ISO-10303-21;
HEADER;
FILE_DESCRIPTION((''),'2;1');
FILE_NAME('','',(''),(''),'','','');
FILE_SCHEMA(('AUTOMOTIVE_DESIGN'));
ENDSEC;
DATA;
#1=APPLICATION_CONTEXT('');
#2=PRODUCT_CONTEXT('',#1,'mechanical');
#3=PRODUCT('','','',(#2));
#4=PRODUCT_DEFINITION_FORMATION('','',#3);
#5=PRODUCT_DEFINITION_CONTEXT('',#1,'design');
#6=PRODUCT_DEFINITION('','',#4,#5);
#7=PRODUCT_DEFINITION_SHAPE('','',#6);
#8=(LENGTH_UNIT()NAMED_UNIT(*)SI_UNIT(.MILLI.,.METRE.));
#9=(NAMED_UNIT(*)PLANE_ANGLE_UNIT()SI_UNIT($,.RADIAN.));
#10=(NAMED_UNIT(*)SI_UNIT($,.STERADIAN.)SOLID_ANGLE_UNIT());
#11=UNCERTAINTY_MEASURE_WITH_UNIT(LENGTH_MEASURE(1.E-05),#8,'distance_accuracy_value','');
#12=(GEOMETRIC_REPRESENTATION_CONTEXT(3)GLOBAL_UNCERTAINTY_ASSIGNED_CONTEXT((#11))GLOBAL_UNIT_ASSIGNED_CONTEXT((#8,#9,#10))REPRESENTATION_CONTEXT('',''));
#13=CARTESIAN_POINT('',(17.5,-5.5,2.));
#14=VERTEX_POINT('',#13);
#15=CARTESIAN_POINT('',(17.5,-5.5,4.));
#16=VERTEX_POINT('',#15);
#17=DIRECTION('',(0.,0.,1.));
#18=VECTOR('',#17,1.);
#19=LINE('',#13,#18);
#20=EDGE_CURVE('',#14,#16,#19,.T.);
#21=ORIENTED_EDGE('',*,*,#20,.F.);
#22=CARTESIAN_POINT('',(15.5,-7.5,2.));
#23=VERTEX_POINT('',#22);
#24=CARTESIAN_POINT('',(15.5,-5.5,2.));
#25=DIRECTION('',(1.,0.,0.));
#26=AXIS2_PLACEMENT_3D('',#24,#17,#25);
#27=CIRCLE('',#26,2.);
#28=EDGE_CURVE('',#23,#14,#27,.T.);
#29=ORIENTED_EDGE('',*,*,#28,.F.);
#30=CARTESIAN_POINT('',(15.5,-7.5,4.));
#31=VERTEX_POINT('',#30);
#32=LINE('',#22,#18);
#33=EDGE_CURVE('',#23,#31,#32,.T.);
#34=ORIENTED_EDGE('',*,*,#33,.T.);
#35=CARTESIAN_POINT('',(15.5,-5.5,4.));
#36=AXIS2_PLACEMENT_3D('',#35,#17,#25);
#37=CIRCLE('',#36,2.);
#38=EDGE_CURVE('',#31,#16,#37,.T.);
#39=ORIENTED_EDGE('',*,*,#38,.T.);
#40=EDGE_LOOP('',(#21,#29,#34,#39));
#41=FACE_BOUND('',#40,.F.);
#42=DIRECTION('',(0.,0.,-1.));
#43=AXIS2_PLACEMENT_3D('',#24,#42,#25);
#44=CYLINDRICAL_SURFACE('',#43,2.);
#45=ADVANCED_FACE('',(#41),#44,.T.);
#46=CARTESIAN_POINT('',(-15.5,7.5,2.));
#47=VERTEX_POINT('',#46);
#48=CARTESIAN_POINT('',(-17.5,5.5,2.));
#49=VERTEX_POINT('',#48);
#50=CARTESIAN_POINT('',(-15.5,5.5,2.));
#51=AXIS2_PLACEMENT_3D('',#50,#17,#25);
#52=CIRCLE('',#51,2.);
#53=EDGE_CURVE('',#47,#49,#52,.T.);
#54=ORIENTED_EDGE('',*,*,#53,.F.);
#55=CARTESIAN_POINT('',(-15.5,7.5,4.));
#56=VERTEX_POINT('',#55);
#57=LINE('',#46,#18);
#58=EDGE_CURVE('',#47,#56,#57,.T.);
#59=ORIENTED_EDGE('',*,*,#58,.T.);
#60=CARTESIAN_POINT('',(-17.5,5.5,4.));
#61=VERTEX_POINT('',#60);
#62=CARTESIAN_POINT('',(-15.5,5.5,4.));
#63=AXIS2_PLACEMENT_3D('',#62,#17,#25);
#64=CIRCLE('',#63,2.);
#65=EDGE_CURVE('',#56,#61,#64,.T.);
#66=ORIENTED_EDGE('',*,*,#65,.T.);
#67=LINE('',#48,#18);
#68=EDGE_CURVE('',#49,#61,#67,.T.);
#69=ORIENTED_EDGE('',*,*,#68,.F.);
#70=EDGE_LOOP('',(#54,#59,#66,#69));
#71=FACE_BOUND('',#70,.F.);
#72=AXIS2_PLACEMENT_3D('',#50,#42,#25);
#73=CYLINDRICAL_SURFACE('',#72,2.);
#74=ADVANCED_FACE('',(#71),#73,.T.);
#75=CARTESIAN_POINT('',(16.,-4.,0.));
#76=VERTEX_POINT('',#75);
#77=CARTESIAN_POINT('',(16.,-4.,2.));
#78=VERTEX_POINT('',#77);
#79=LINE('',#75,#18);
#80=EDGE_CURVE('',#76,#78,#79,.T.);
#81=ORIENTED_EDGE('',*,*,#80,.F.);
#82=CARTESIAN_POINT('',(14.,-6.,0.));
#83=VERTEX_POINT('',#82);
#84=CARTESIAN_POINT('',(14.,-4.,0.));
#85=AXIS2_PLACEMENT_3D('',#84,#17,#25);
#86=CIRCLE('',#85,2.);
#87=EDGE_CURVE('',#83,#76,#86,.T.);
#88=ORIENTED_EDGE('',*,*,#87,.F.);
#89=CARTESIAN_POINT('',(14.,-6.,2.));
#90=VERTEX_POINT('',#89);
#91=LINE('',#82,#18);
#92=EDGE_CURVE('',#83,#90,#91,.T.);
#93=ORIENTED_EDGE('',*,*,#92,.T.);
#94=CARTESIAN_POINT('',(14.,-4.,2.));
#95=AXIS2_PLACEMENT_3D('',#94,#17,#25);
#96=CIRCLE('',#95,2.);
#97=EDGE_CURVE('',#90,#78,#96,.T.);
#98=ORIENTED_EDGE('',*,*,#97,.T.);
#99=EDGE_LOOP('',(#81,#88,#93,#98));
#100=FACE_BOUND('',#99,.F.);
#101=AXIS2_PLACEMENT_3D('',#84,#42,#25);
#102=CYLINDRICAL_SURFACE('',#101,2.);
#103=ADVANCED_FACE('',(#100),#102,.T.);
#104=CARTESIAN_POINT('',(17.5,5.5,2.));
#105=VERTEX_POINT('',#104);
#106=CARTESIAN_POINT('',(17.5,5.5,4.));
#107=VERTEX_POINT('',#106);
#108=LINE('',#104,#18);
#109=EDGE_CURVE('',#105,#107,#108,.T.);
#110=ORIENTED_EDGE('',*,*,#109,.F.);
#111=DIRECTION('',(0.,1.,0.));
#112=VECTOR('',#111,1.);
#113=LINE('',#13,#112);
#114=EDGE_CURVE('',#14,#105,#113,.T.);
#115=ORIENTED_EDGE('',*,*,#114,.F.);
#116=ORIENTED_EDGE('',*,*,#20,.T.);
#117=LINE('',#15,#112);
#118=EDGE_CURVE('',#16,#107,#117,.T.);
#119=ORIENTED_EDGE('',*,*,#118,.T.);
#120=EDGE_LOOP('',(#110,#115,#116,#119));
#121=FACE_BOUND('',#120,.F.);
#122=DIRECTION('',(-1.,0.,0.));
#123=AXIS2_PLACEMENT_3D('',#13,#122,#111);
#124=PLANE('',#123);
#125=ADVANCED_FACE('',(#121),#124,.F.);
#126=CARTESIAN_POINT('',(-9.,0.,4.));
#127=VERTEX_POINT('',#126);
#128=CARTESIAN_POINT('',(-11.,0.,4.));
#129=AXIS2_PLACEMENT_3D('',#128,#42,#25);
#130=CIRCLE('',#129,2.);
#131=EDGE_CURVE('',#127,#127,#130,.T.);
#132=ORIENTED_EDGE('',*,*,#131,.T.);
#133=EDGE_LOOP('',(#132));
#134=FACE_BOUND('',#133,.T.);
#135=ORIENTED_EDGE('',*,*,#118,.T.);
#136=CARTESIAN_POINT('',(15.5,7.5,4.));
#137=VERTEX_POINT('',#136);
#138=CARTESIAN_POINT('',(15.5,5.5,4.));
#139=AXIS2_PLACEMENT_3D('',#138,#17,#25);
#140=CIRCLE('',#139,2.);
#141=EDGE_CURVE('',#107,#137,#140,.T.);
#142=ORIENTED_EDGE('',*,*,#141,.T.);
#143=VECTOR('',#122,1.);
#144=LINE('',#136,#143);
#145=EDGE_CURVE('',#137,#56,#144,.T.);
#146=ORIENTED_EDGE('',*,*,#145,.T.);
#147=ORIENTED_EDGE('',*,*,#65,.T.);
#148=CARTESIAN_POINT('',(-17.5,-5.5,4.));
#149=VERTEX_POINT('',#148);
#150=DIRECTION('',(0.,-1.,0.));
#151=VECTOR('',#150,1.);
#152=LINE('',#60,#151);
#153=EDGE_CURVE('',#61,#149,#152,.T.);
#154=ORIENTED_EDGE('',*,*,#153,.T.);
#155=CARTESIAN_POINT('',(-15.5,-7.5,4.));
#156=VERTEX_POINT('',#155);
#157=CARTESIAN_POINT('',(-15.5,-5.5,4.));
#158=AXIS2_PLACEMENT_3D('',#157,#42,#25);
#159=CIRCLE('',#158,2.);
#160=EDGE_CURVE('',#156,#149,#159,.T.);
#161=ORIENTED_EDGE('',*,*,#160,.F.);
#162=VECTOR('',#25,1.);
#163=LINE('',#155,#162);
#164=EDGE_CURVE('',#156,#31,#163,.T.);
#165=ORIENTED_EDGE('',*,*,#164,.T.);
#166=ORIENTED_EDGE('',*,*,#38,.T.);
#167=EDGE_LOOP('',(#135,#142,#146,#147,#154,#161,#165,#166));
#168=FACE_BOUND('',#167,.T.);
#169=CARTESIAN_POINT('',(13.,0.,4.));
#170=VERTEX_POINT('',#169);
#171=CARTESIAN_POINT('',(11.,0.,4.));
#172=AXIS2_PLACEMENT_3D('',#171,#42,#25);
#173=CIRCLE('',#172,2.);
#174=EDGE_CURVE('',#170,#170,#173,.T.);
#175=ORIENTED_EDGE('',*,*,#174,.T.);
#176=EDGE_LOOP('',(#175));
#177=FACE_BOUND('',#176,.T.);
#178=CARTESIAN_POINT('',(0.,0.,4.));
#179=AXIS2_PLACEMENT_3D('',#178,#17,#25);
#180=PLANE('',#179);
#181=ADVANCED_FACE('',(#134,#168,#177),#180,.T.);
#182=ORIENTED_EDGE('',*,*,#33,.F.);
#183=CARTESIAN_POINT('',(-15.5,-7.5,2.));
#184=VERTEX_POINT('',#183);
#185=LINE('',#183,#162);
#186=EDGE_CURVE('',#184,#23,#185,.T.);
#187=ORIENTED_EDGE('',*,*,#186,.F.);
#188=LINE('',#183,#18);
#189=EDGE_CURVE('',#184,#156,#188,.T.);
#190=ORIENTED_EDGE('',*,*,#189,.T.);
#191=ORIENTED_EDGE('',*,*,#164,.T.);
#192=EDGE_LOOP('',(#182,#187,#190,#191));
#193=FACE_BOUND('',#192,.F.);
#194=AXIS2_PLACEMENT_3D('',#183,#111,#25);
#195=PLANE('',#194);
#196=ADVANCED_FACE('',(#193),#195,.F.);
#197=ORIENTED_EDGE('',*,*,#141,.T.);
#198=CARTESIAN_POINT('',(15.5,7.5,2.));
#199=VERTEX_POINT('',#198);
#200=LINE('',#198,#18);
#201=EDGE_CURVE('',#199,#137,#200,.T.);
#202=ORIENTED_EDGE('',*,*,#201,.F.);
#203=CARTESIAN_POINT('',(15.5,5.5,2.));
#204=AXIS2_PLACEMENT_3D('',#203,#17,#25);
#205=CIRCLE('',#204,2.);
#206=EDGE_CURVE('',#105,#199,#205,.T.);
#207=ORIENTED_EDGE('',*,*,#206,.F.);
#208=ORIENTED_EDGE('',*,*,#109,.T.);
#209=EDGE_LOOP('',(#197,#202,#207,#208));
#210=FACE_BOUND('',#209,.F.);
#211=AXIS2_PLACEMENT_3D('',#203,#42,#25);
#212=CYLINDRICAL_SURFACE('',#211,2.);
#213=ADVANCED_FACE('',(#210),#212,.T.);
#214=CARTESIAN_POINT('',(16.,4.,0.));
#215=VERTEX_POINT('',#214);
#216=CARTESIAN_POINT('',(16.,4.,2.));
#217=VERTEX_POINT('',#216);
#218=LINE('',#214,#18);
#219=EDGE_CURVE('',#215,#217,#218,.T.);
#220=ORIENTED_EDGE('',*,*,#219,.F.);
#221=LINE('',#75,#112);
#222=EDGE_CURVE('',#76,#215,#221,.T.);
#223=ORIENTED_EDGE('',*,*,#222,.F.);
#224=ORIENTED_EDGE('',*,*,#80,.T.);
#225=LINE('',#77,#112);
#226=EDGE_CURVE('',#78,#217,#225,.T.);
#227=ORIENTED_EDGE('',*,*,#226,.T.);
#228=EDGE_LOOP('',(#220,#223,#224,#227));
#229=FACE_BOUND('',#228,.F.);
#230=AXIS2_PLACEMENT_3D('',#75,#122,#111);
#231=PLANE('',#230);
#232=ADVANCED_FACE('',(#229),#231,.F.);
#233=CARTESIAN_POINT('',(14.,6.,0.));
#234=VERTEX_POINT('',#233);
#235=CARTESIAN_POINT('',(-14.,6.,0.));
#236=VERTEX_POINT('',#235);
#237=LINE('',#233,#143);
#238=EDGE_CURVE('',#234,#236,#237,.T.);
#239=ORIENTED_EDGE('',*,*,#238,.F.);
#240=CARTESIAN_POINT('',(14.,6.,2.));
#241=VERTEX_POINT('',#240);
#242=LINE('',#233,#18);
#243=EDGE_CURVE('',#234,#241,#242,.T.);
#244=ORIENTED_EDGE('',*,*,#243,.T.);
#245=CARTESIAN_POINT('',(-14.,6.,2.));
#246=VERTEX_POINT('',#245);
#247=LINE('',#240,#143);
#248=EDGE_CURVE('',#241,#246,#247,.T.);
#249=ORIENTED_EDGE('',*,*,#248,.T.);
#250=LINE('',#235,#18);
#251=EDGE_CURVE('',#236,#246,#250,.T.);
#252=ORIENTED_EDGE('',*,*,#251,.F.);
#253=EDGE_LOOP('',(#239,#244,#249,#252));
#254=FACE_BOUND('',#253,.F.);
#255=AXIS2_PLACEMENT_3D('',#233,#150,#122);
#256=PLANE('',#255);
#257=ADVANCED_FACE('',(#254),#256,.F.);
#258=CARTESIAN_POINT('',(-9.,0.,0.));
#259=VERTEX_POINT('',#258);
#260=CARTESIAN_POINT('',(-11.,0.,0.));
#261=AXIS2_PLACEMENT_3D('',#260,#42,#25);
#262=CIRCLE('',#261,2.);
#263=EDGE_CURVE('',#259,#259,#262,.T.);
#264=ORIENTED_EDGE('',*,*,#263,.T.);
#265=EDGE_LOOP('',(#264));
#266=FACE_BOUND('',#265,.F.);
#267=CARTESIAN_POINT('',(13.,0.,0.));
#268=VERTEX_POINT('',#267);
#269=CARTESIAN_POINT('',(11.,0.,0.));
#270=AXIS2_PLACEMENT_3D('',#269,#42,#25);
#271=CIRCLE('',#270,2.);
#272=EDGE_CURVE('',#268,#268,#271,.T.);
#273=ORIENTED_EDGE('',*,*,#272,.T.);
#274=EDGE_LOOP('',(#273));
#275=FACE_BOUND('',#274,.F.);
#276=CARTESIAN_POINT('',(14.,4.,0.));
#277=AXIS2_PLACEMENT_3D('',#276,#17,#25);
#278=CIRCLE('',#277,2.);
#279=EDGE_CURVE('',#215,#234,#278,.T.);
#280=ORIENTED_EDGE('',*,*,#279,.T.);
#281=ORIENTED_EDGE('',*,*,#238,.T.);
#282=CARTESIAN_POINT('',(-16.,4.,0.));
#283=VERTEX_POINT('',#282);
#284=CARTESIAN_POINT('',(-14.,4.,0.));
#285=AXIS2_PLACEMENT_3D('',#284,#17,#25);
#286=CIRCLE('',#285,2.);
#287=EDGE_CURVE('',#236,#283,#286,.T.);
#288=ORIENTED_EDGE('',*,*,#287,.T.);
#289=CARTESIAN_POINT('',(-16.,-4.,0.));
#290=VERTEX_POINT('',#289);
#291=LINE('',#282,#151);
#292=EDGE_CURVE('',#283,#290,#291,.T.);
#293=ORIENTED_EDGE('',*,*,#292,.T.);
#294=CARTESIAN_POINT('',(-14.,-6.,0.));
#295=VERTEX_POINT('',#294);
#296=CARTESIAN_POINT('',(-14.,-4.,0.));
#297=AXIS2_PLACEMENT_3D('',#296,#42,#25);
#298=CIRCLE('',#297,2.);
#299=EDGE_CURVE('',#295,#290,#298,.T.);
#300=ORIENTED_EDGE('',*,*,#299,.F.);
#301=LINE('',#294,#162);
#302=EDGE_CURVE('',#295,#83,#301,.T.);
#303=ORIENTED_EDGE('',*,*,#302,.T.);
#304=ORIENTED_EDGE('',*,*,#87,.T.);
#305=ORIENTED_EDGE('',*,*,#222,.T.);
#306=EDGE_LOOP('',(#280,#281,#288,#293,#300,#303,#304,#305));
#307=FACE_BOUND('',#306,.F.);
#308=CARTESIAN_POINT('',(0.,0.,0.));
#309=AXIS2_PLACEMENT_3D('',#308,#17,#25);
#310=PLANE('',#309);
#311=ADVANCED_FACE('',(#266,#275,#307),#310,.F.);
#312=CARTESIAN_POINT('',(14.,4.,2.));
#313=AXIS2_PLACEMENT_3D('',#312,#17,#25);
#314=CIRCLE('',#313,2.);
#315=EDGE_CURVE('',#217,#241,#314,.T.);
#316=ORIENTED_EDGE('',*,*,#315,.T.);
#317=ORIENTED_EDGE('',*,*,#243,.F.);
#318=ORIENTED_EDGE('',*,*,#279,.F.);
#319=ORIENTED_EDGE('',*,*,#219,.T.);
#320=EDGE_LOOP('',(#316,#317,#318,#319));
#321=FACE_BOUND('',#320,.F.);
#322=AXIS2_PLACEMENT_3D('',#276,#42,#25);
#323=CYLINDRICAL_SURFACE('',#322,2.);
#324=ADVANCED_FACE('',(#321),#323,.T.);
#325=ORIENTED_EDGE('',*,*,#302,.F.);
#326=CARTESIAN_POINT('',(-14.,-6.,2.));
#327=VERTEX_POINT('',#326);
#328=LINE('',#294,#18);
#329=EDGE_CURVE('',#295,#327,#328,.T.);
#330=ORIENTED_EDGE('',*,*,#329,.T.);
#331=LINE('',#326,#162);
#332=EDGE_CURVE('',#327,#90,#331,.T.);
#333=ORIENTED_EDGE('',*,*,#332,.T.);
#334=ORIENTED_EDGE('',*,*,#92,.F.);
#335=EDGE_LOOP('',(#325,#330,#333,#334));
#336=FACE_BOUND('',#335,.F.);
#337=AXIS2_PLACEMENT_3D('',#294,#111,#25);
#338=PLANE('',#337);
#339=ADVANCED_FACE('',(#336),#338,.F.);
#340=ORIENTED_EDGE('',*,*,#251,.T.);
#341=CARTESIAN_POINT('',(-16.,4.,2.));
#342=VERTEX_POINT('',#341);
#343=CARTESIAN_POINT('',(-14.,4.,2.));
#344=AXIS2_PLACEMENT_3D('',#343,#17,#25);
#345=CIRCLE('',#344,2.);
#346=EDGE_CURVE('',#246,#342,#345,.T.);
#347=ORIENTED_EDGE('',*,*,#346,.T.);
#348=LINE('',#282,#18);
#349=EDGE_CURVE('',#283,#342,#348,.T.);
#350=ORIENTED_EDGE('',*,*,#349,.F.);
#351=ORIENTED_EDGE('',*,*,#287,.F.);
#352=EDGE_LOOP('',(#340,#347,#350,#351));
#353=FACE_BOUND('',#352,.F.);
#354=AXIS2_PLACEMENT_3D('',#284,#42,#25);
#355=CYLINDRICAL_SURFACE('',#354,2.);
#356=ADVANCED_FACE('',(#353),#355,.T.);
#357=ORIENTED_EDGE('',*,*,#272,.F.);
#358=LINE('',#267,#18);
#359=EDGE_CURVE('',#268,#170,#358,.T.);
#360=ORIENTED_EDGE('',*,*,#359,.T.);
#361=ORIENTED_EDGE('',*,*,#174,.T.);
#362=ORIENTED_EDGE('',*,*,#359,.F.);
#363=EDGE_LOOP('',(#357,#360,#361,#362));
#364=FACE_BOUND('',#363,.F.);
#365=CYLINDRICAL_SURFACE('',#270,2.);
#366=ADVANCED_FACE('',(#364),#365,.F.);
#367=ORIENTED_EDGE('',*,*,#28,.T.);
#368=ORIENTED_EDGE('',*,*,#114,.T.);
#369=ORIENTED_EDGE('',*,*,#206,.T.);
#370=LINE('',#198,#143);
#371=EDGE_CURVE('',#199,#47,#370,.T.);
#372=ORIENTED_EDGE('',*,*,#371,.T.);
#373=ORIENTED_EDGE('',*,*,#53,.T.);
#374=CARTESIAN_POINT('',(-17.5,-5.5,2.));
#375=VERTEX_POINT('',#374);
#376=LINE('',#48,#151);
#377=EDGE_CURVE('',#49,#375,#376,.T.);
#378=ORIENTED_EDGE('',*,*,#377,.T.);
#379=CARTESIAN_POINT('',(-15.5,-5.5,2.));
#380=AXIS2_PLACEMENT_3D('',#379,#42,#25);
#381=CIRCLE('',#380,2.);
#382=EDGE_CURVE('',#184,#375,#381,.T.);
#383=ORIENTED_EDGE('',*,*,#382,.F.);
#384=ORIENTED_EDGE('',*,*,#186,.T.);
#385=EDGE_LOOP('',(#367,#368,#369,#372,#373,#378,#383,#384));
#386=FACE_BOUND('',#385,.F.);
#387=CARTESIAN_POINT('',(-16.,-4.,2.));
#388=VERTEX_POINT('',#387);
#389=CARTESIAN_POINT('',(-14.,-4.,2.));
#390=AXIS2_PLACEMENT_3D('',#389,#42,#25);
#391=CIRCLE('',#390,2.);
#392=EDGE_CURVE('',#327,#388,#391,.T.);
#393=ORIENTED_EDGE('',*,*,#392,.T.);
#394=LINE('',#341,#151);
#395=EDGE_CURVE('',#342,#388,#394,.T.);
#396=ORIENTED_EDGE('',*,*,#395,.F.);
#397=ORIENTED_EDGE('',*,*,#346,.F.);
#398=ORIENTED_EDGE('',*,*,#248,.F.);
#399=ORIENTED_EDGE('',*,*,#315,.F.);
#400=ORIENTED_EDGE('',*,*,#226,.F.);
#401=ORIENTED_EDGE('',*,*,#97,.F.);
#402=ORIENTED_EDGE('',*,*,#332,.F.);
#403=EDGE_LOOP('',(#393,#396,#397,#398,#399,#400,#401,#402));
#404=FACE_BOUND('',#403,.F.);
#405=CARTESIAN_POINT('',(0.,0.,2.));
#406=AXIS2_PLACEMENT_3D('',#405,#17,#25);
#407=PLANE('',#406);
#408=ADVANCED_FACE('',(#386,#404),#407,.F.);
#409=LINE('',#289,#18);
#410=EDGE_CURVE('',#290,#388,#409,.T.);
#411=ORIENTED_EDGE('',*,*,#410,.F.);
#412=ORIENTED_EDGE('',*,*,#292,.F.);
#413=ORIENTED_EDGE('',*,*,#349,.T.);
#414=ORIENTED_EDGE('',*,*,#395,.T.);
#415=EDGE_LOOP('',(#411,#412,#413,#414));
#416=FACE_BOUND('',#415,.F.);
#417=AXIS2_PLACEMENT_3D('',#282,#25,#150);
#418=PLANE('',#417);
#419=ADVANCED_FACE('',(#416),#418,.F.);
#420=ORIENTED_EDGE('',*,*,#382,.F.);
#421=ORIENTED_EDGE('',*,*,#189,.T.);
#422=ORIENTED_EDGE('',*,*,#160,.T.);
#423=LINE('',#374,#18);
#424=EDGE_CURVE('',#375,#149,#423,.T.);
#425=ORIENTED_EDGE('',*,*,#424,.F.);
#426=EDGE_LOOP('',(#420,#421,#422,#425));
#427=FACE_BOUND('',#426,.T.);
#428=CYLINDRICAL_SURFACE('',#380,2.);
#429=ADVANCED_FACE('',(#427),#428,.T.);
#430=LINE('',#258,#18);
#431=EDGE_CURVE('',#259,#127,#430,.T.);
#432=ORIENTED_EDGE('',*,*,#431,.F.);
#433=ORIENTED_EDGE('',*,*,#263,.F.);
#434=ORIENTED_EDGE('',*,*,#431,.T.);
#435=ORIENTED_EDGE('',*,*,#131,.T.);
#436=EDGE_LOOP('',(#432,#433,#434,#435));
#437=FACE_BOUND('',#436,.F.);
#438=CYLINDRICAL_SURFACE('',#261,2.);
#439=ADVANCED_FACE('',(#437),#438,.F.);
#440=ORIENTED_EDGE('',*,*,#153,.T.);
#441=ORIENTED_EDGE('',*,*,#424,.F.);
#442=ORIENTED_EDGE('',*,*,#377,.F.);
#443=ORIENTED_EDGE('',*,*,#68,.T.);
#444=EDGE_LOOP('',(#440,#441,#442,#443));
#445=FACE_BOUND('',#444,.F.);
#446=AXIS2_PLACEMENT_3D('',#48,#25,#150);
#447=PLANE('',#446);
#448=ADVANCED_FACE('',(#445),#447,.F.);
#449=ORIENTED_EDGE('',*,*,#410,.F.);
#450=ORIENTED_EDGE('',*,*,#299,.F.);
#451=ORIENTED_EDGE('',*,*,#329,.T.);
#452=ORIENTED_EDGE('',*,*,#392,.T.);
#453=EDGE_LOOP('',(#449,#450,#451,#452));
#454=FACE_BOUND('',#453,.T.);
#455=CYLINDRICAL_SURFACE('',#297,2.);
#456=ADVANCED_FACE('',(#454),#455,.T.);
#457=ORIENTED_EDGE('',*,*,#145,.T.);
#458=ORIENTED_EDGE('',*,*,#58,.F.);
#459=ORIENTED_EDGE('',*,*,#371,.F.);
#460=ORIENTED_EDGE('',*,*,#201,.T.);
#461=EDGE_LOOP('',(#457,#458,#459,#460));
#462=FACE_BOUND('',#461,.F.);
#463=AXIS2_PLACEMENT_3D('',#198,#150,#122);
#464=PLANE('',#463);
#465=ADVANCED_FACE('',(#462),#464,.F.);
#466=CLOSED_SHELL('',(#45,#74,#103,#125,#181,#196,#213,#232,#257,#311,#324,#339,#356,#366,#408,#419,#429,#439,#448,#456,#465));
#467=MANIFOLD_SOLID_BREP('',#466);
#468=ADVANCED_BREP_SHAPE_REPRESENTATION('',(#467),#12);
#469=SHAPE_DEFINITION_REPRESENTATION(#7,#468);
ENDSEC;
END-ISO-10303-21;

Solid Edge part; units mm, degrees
sketch "Sketch1" plane through (0, 0, 0) normal (0, 0, 1) x (1, 0, 0)
  line L0 (-14, -6) -> (14, -6)
  arc A0 (14, -6) -> (16, -4) centre (14, -4) ccw
  line L1 (16, -4) -> (16, 4)
  arc A1 (16, 4) -> (14, 6) centre (14, 4) ccw
  line L2 (14, 6) -> (-14, 6)
  arc A2 (-14, 6) -> (-16, 4) centre (-14, 4) ccw
  line L3 (-16, 4) -> (-16, -4)
  arc A3 (-14, -6) -> (-16, -4) centre (-14, -4) cw
extrude "Protrusion1" add sketch "Sketch1" along normal blind 2
sketch "Sketch2" plane through (0, 0, 2) normal (0, 0, 1) x (1, 0, 0)
  line L0 (-15.5, -7.5) -> (15.5, -7.5)
  arc A0 (15.5, -7.5) -> (17.5, -5.5) centre (15.5, -5.5) ccw
  line L1 (17.5, -5.5) -> (17.5, 5.5)
  arc A1 (17.5, 5.5) -> (15.5, 7.5) centre (15.5, 5.5) ccw
  line L2 (15.5, 7.5) -> (-15.5, 7.5)
  arc A2 (-15.5, 7.5) -> (-17.5, 5.5) centre (-15.5, 5.5) ccw
  line L3 (-17.5, 5.5) -> (-17.5, -5.5)
  arc A3 (-15.5, -7.5) -> (-17.5, -5.5) centre (-15.5, -5.5) cw
extrude "ExtrudedProtrusion_2" add sketch "Sketch2" along normal blind 2
sketch "Sketch3" plane through (0, 0, 0) normal (0, 0, -1) x (1, 0, 0)
  circle A0 centre (-11, 0) radius 2
  circle A1 centre (11, 0) radius 2
  dimension "D1" = 5
  dimension "D2" = 5
extrude "ExtrudedCutout_1" cut sketch "Sketch3" against normal blind 7.258
